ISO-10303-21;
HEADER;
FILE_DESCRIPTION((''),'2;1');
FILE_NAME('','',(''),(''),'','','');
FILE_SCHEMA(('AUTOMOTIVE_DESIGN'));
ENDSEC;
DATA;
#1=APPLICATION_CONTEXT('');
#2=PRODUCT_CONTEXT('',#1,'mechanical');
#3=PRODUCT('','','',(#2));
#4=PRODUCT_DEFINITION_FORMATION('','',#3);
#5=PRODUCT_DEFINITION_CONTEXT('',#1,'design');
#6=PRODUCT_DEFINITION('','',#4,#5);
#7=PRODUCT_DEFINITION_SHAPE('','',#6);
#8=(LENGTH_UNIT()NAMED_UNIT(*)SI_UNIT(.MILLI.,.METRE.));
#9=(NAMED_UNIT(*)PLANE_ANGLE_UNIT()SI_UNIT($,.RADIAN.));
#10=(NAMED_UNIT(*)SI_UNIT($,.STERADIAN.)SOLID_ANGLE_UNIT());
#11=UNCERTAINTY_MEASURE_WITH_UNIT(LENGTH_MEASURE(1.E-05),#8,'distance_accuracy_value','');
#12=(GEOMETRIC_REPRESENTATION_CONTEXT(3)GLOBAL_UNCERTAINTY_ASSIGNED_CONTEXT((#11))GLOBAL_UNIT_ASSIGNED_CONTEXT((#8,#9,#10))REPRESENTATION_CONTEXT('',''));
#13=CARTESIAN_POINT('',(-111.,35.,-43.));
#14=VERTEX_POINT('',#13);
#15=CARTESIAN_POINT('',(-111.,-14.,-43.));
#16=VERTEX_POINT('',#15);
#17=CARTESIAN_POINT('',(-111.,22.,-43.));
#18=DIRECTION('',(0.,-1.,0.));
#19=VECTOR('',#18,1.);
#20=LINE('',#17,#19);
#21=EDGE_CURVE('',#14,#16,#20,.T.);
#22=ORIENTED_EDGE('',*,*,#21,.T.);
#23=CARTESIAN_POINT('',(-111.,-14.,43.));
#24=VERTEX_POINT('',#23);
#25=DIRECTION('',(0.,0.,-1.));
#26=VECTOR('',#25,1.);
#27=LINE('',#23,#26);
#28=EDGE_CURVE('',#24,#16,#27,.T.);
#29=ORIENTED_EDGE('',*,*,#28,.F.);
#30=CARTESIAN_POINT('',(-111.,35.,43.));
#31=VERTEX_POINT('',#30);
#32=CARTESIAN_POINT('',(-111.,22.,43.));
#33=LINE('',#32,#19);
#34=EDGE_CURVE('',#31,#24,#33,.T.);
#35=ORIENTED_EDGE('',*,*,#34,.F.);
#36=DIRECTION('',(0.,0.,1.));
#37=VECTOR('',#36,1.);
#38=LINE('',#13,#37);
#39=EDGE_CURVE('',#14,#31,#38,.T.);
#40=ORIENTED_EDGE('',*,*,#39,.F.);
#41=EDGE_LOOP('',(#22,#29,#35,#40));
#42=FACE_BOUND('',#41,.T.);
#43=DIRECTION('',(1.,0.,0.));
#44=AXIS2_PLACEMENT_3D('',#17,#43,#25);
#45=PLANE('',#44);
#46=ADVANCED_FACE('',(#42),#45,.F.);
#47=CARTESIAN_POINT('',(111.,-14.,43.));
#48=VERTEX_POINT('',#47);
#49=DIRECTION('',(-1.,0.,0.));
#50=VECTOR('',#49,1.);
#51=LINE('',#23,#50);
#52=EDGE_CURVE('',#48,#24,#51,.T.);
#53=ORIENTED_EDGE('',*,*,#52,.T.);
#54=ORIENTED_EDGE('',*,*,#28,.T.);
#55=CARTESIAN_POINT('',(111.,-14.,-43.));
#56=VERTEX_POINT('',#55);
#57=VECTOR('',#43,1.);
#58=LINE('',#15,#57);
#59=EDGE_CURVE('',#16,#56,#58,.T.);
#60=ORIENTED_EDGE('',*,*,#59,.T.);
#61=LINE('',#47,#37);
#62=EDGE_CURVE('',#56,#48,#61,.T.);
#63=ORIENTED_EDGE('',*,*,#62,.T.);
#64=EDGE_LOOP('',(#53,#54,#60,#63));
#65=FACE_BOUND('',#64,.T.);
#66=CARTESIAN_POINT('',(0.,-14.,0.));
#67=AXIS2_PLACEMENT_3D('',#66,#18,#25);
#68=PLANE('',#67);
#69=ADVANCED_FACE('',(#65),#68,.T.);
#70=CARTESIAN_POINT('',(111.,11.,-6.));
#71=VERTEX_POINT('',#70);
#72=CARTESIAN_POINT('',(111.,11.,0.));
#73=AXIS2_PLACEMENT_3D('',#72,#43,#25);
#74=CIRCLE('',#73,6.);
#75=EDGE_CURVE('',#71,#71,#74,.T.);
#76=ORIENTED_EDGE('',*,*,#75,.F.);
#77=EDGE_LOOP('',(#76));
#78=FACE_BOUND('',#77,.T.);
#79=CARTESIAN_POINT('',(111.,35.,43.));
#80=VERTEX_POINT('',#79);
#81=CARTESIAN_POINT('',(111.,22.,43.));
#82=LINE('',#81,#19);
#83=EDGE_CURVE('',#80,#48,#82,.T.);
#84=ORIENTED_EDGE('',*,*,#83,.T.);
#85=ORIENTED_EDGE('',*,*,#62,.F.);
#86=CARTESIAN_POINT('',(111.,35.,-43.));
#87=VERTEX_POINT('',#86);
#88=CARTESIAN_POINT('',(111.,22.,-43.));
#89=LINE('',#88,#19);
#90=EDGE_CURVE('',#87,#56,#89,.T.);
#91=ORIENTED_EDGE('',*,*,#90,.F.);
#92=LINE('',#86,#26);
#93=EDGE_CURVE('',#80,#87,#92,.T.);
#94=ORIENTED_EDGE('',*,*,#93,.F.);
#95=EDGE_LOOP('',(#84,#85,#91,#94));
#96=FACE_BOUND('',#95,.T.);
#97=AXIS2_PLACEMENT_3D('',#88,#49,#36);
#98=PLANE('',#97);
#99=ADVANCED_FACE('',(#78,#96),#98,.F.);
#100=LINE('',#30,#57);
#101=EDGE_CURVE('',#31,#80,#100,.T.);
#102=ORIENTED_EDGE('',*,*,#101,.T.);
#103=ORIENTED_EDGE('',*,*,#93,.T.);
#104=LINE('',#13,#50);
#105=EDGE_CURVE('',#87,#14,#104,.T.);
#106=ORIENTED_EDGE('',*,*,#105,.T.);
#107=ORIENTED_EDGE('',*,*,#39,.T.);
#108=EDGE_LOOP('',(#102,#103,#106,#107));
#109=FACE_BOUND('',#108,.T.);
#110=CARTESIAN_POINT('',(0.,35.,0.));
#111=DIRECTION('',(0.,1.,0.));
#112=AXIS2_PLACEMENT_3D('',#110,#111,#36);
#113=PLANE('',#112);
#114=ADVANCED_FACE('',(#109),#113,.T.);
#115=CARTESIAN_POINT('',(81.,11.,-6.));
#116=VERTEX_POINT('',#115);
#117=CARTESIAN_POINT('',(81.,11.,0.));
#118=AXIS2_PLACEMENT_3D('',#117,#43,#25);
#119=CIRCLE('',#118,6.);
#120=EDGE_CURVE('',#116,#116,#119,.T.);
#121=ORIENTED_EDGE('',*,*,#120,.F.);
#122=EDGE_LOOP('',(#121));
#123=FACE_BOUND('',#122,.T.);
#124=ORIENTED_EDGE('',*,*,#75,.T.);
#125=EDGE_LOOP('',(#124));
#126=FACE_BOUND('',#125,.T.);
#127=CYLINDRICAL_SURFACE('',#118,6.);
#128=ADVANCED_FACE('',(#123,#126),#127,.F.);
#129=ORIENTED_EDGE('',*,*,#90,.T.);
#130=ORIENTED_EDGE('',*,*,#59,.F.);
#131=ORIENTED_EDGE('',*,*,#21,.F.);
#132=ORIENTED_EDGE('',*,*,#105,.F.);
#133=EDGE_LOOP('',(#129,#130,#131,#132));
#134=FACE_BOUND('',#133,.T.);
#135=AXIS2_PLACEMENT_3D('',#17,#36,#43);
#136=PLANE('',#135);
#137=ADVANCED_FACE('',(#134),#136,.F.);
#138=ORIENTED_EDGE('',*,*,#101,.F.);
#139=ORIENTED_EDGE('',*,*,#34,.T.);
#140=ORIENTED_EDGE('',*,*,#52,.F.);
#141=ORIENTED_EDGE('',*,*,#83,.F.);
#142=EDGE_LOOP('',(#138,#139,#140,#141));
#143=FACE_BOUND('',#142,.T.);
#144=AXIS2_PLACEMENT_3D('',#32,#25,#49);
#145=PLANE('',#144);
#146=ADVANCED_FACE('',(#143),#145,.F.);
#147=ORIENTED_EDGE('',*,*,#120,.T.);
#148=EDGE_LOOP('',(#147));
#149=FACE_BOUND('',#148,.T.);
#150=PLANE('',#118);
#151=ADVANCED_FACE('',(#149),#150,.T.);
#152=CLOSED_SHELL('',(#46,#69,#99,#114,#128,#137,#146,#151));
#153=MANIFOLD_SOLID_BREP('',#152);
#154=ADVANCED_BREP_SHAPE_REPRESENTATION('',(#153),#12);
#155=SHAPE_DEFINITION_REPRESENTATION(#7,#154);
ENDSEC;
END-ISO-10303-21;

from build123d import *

# Parameters (mm, degrees)
SKETCH1_W           = 222
SKETCH1_H           = 86
BOSS_EXTRUDE1_DEPTH = 22
SKETCH2_R           = 6
CUT_EXTRUDE1_DEPTH  = 30
SKETCH3_W           = 222
SKETCH3_H           = 86
BOSS_EXTRUDE2_DEPTH = 14
SKETCH4_W           = 222
SKETCH4_H           = 86
BOSS_EXTRUDE3_DEPTH = 13


with BuildPart() as part:
    # Sketch1 → Boss-Extrude1 (new body)
    with BuildSketch(Plane(origin=(0, 0, 0), x_dir=(1, 0, 0), z_dir=(0, 1, 0))):
        Rectangle(SKETCH1_W, SKETCH1_H)
    extrude(amount=BOSS_EXTRUDE1_DEPTH)

    # Sketch2 → Cut-Extrude1 (cut)
    with BuildSketch(Plane(origin=(111, 0, 0), x_dir=(0, 0, -1), z_dir=(1, 0, 0))):
        with Locations((0, 11)):
            Circle(SKETCH2_R)
    extrude(amount=-CUT_EXTRUDE1_DEPTH, mode=Mode.SUBTRACT)

    # Sketch3 → Boss-Extrude2 (add)
    with BuildSketch(Plane.XZ):
        Rectangle(SKETCH3_W, SKETCH3_H)
    extrude(amount=BOSS_EXTRUDE2_DEPTH)

    # Sketch4 → Boss-Extrude3 (add)
    with BuildSketch(Plane(origin=(0, 22, 0), x_dir=(1, 0, 0), z_dir=(0, 1, 0))):
        Rectangle(SKETCH4_W, SKETCH4_H)
    extrude(amount=BOSS_EXTRUDE3_DEPTH)


solid = part.part
